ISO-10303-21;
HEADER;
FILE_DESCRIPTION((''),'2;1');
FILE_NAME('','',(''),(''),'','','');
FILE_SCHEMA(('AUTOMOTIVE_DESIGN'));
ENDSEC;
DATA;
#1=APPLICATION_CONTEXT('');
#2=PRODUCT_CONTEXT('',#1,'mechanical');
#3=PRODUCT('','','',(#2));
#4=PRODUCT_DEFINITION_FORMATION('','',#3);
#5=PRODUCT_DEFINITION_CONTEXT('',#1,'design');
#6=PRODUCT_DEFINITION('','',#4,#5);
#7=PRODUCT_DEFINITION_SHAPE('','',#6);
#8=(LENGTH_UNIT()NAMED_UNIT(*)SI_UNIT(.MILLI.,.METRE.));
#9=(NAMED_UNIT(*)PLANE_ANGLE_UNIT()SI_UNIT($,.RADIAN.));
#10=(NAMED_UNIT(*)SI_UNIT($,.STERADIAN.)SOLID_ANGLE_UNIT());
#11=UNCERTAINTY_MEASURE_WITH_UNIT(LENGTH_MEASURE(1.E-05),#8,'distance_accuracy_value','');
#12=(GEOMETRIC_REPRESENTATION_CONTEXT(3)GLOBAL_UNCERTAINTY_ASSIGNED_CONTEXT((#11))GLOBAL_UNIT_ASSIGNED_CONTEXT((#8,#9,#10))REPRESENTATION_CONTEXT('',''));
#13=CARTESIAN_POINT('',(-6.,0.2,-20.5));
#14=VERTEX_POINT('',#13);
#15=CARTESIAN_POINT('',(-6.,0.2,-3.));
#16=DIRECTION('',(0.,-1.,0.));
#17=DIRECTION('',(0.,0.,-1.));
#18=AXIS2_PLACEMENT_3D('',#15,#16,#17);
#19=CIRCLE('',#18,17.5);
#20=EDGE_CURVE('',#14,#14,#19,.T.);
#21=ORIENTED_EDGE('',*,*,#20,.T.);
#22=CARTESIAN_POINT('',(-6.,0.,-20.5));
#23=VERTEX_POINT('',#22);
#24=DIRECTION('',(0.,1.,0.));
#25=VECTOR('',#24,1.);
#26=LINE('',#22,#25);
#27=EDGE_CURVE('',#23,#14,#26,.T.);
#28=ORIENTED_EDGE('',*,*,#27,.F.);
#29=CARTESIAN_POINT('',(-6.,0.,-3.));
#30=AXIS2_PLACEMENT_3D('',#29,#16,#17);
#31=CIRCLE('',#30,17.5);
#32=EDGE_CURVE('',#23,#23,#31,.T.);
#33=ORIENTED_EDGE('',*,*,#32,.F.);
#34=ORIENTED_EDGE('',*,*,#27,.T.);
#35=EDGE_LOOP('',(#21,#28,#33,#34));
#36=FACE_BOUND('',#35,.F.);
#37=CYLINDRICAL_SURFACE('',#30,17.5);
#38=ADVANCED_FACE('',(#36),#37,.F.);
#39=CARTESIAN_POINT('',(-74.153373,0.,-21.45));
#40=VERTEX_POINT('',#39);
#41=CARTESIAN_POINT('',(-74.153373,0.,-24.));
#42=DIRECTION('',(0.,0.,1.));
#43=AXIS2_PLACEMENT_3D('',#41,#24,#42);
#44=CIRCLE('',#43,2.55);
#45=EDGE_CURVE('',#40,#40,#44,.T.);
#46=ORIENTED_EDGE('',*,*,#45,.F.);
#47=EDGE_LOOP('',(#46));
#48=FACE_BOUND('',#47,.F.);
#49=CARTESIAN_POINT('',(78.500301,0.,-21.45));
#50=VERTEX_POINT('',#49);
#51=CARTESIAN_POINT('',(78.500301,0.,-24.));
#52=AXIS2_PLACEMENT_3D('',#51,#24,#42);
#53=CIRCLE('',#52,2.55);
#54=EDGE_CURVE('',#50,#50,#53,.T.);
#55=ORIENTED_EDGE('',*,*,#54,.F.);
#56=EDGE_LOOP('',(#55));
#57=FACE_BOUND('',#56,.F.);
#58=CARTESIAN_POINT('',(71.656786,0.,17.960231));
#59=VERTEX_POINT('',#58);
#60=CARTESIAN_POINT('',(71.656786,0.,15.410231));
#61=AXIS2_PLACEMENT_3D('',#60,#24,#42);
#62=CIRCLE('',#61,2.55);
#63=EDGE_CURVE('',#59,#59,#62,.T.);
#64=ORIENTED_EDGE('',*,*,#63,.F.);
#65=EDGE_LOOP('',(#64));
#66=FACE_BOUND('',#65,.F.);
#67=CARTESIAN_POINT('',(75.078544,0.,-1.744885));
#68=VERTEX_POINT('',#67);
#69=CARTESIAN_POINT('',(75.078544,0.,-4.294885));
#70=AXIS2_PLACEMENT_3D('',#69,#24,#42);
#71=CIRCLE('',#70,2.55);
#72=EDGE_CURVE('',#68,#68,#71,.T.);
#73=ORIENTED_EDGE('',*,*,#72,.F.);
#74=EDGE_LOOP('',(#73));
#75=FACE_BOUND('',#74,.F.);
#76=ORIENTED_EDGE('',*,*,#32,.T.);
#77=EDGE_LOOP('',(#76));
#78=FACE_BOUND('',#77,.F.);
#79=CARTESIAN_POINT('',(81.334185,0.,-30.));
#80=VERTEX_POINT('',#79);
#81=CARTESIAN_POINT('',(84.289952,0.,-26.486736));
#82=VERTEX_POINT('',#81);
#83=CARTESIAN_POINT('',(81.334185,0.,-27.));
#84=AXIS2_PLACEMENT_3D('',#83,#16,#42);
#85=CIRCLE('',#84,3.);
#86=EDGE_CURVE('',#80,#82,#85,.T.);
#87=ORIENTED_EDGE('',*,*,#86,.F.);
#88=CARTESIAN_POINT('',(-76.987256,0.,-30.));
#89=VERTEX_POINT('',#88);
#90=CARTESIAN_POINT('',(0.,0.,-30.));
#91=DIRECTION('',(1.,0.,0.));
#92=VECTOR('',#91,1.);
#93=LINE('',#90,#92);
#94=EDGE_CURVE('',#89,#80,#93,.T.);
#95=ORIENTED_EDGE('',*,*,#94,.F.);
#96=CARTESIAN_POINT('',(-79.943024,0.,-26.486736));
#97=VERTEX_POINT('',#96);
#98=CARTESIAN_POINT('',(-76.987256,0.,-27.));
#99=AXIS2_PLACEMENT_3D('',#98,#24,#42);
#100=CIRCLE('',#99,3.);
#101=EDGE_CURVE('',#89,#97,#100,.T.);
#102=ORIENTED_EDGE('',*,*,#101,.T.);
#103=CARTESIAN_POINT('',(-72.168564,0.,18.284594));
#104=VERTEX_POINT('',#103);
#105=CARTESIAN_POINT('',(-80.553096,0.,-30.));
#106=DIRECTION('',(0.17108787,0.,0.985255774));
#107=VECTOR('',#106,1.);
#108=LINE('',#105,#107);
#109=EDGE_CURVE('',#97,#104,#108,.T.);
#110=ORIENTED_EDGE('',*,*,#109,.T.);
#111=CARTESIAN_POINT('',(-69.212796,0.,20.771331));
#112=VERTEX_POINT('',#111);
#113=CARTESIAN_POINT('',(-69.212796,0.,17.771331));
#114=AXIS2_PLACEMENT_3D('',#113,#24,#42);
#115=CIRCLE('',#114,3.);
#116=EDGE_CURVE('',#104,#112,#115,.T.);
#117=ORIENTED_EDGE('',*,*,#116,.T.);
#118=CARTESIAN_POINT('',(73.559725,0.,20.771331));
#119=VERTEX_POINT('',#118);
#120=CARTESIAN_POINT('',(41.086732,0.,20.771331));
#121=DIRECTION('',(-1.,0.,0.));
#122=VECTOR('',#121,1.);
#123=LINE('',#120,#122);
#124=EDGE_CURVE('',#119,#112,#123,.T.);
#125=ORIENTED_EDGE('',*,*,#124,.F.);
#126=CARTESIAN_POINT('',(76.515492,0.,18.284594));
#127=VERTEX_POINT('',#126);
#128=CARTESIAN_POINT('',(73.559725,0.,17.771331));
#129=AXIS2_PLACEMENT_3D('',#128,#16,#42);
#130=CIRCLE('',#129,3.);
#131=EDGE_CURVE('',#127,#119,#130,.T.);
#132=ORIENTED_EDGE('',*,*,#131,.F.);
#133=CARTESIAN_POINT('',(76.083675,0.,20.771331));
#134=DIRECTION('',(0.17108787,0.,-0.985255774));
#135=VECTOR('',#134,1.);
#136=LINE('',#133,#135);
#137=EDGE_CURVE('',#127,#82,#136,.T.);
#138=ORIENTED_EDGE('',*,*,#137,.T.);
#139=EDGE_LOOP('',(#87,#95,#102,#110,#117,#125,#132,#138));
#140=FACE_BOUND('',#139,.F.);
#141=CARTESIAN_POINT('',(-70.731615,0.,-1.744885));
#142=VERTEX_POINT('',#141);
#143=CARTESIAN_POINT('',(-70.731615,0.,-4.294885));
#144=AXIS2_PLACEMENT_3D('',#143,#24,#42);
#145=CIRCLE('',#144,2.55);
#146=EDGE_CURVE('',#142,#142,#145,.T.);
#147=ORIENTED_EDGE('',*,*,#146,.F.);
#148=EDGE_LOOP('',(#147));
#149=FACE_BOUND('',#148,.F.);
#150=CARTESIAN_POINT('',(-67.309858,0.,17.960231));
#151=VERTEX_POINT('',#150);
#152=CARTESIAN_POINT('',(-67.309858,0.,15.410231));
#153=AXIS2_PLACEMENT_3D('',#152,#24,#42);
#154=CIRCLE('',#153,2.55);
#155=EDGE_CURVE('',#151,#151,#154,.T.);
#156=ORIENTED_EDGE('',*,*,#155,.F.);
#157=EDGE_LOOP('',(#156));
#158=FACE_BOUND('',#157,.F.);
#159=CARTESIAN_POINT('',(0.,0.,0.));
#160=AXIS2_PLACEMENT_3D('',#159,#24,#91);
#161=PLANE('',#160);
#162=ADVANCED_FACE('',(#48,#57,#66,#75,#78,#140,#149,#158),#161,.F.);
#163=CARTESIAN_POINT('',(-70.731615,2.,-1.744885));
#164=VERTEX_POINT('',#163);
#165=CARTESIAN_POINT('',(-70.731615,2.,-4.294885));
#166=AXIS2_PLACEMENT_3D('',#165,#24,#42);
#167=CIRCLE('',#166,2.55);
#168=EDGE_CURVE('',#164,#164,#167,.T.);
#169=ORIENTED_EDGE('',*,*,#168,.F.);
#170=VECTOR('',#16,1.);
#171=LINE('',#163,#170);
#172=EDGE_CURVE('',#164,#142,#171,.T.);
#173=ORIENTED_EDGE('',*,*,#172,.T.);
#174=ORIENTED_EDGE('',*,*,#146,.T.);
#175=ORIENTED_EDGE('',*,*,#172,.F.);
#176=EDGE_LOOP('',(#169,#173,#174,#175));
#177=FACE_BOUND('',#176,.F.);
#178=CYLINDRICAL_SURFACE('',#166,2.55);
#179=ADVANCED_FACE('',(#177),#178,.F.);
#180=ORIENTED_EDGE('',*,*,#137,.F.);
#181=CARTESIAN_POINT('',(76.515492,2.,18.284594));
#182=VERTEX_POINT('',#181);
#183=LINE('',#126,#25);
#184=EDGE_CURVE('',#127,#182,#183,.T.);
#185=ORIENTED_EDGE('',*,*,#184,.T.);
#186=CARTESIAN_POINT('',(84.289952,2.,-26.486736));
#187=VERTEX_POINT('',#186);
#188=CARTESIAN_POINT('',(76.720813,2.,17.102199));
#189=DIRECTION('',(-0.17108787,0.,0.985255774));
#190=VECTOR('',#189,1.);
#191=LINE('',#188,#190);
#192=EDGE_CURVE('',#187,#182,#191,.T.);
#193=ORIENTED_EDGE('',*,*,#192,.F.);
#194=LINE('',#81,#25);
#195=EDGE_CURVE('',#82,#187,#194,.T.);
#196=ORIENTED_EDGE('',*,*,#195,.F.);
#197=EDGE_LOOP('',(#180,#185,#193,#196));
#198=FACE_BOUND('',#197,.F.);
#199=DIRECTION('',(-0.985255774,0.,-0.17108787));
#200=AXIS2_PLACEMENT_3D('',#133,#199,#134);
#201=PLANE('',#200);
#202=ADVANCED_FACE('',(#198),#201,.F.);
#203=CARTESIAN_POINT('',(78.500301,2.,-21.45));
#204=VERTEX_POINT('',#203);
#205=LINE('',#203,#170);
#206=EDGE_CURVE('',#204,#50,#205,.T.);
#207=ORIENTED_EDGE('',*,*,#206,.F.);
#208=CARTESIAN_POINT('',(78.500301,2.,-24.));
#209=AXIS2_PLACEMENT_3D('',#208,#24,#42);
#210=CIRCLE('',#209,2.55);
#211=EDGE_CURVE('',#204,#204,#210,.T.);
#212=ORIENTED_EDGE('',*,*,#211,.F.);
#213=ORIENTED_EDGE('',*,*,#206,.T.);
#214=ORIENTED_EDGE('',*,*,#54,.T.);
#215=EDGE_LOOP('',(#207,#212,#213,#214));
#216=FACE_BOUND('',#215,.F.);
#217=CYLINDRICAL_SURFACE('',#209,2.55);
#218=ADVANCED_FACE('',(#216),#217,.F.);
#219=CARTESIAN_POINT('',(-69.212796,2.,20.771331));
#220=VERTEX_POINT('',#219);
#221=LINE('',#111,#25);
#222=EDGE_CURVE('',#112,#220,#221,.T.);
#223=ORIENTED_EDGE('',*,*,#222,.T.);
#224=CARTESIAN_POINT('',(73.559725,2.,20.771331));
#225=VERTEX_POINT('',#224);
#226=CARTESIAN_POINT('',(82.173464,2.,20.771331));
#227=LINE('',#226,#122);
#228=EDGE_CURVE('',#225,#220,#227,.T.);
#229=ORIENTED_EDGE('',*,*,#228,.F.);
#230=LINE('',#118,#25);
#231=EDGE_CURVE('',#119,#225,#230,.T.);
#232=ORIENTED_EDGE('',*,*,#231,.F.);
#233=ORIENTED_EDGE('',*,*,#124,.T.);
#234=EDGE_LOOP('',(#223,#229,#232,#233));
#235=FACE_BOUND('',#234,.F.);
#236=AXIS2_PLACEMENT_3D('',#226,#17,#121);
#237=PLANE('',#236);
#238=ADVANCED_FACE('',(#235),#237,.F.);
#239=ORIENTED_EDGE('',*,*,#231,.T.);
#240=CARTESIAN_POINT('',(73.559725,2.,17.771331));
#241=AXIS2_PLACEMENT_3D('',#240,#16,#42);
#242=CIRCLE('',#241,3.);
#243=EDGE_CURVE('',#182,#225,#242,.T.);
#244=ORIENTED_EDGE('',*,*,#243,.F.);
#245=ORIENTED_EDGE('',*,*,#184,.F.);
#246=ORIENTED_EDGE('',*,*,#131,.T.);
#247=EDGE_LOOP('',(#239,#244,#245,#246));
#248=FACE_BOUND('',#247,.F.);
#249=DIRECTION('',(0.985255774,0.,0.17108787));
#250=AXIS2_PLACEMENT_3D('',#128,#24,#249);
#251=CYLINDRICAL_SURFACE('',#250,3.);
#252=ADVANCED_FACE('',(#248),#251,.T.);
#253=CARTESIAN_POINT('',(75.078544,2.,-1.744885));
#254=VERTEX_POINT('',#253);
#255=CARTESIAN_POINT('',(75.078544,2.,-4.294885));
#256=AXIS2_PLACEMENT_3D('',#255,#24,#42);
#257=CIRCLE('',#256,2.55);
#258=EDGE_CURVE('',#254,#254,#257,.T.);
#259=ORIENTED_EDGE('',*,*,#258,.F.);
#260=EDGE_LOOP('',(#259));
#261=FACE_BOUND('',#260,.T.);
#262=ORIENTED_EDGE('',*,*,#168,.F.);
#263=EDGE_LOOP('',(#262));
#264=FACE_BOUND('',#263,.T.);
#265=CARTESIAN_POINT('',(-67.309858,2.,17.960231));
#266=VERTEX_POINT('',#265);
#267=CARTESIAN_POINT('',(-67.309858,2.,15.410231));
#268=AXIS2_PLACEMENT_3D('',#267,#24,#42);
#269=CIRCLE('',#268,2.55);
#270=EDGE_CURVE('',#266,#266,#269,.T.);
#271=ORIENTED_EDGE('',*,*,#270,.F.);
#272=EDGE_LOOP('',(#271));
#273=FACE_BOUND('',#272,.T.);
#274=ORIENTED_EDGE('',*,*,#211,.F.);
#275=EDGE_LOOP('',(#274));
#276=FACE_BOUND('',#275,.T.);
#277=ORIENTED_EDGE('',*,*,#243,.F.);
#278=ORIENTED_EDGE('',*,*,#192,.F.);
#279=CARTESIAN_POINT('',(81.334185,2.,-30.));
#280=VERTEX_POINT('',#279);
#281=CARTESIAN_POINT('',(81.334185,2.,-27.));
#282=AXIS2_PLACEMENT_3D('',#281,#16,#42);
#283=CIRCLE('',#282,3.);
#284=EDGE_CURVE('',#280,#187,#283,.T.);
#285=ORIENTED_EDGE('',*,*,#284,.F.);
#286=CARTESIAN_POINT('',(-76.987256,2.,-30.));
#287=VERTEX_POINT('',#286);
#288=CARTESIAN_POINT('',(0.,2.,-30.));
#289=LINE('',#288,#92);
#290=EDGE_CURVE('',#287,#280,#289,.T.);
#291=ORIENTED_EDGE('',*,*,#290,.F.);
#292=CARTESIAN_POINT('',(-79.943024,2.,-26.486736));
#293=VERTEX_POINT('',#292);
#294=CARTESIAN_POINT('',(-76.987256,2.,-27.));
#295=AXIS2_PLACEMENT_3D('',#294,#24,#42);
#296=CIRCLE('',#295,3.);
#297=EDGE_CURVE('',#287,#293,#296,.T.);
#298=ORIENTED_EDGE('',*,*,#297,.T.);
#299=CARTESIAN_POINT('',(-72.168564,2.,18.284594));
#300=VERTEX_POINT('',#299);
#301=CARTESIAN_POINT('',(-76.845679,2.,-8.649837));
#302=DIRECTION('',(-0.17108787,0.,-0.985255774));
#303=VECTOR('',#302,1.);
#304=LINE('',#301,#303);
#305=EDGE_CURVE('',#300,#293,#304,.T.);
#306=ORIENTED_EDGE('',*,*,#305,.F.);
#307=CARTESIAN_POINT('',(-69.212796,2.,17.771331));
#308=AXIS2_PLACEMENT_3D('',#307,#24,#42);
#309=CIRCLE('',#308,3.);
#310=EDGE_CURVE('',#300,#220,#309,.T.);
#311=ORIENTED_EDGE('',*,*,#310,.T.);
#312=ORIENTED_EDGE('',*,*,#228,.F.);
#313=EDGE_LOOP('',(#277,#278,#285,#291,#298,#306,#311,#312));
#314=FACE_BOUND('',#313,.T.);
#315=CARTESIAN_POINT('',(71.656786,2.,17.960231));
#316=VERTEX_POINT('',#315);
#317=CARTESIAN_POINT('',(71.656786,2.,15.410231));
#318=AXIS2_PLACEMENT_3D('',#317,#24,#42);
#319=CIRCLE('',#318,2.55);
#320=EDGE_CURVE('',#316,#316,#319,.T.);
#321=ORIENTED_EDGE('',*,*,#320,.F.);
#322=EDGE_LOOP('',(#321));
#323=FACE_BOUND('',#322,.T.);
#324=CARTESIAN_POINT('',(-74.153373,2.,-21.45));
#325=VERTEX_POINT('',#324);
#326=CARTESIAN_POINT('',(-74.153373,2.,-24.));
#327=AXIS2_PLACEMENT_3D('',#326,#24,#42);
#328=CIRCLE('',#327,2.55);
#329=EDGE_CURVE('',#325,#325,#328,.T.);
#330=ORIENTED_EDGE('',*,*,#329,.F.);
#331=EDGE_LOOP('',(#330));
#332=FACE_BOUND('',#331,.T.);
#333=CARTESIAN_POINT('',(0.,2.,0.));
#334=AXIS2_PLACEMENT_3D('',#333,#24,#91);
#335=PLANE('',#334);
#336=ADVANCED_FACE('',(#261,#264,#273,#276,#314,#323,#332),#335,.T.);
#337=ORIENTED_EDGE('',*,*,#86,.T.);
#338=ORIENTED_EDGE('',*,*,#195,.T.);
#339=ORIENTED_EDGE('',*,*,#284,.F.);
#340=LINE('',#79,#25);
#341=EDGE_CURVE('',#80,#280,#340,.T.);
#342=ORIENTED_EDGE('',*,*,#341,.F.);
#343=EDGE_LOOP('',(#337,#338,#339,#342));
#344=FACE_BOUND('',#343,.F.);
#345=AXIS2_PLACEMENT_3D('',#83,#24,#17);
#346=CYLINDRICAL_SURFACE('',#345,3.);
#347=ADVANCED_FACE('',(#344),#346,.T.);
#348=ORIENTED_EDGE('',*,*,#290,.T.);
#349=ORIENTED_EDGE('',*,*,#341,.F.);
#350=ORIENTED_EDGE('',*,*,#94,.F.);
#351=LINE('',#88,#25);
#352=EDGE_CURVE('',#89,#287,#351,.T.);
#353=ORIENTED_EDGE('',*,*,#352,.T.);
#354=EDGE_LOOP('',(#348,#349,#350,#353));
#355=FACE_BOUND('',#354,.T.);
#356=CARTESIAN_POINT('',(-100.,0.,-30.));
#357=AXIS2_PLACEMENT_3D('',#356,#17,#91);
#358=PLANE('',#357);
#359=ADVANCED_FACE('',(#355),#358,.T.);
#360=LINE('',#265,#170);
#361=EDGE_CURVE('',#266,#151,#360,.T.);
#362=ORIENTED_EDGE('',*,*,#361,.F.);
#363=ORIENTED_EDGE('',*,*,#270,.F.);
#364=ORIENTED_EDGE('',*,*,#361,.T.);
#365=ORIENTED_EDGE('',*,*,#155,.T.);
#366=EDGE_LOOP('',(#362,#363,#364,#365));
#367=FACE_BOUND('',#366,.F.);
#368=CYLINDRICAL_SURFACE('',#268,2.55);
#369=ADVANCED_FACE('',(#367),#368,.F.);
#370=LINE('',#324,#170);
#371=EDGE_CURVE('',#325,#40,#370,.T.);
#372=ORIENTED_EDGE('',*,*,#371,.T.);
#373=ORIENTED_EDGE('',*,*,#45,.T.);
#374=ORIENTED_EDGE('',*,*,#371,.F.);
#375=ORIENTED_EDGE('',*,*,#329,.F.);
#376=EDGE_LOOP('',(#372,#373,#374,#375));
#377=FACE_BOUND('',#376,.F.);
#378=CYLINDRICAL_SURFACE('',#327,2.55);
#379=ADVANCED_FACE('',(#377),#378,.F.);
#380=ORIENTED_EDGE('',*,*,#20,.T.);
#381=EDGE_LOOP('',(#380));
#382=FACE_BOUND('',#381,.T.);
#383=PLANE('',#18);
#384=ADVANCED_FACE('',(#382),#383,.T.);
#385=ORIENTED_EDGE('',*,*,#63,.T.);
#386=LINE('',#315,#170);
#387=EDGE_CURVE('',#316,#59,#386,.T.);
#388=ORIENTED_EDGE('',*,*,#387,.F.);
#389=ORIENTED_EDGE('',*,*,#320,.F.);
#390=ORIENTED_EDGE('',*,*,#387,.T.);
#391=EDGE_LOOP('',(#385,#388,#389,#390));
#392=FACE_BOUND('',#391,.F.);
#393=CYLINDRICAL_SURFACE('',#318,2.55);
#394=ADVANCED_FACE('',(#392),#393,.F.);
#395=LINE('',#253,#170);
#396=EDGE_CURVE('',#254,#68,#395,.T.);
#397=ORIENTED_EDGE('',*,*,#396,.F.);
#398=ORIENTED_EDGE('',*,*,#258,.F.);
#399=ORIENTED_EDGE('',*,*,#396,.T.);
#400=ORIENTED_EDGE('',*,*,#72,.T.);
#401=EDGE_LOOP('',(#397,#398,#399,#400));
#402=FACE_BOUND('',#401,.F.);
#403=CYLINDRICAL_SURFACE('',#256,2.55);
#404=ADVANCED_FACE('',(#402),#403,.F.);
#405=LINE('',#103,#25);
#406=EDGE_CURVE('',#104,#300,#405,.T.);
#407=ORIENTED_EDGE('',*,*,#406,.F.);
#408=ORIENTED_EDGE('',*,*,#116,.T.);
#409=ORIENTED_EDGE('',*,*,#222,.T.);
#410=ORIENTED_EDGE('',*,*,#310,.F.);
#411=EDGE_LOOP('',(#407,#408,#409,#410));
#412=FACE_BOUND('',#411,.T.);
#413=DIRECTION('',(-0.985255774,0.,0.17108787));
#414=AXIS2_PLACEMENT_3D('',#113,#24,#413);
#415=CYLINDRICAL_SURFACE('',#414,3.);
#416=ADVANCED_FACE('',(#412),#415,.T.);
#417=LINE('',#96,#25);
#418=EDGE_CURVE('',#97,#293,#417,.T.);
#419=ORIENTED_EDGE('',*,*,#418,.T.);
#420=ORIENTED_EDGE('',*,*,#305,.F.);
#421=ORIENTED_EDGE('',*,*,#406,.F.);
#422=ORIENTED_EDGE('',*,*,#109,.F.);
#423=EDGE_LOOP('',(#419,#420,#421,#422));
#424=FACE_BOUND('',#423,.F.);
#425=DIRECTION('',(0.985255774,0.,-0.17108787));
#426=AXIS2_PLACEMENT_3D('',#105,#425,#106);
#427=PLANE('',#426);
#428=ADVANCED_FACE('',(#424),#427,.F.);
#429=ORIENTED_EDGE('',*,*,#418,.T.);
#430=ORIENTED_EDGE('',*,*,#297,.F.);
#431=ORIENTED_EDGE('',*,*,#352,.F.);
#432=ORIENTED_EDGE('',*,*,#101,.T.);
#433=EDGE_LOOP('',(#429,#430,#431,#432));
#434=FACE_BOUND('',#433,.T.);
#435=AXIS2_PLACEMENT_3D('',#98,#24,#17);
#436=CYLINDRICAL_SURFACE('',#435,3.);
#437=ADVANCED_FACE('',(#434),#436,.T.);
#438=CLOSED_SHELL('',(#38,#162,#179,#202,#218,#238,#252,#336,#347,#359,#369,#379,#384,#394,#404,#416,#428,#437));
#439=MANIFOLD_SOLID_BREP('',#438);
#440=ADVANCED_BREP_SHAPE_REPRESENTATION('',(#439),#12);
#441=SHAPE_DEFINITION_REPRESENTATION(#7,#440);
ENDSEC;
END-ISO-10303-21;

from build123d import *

# Parameters (mm, degrees)
SKETCH_1_W          = 200
SKETCH_1_H          = 60
EXTRUDE_1_DEPTH     = 2
SKETCH_3_R          = 2.55
CUT_EXTRUDE_1_DEPTH = 105.422219858
CUT_EXTRUDE_2_DEPTH = 96.828733232
SKETCH_5_R          = 17.5
CUT_EXTRUDE_3_DEPTH = 0.2
FILLET_1_R          = 3


with BuildPart() as part:
    # 草图1 → 凸台-拉伸1 (new body)
    with BuildSketch(Plane(origin=(0, 0, 0), x_dir=(1, 0, 0), z_dir=(0, 1, 0))):
        Rectangle(SKETCH_1_W, SKETCH_1_H)
    extrude(amount=EXTRUDE_1_DEPTH)

    # 草图3 → 切除-拉伸1 (cut, through all)
    with BuildSketch(Plane(origin=(0, 2, 0), x_dir=(1, 0, 0), z_dir=(0, 1, 0))):
        Polygon((82.173464202, -20.771330594), (-77.826535798, -20.771330594), (-86.642884834, 30), (-100, 30), (-100, -30), (100, -30), (100, 30), (90.989813237, 30), align=None)
        with Locations(Location((-74.153372817, 24, 0), (0, 0, 270))):
            Circle(SKETCH_3_R)
        with Locations(Location((-70.731615422, 4.294884514, 0), (0, 0, 270))):
            Circle(SKETCH_3_R)
        with Locations(Location((-67.309858027, -15.410230973, 0), (0, 0, 270))):
            Circle(SKETCH_3_R)
        with Locations(Location((78.50030122, 24, 0), (0, 0, 270))):
            Circle(SKETCH_3_R)
        with Locations(Location((71.65678643, -15.410230973, 0), (0, 0, 270))):
            Circle(SKETCH_3_R)
        with Locations(Location((75.078543825, 4.294884514, 0), (0, 0, 270))):
            Circle(SKETCH_3_R)
    extrude(amount=-CUT_EXTRUDE_1_DEPTH, mode=Mode.SUBTRACT)

    # 草图4 → 切除-拉伸2 (cut, through all)
    with BuildSketch(Plane.XZ):
        Polygon((76.083674975, 20.771330594), (84.90002401, -30), (90.989813237, -30), (82.173464202, 20.771330594), align=None)
        Polygon((-86.642884834, -30), (-80.553095607, -30), (-71.736746572, 20.771330594), (-77.826535798, 20.771330594), align=None)
    extrude(amount=-CUT_EXTRUDE_2_DEPTH, mode=Mode.SUBTRACT)

    # 草图5 → 切除-拉伸3 (cut)
    with BuildSketch(Plane.XZ):
        with Locations(Location((-6, -3, 0), (0, 0, 270))):
            Circle(SKETCH_5_R)
    extrude(amount=-CUT_EXTRUDE_3_DEPTH, mode=Mode.SUBTRACT)

    # 圆角1
    fillet_1_edges = [part.edges().sort_by_distance(p)[0] for p in [
        (-80.553095607, 1, -30),
        (-71.736746572, 1, 20.771330594),
        (84.90002401, 1, -30),
        (76.083674975, 1, 20.771330594),
    ]]
    fillet(fillet_1_edges, radius=FILLET_1_R)


solid = part.part
